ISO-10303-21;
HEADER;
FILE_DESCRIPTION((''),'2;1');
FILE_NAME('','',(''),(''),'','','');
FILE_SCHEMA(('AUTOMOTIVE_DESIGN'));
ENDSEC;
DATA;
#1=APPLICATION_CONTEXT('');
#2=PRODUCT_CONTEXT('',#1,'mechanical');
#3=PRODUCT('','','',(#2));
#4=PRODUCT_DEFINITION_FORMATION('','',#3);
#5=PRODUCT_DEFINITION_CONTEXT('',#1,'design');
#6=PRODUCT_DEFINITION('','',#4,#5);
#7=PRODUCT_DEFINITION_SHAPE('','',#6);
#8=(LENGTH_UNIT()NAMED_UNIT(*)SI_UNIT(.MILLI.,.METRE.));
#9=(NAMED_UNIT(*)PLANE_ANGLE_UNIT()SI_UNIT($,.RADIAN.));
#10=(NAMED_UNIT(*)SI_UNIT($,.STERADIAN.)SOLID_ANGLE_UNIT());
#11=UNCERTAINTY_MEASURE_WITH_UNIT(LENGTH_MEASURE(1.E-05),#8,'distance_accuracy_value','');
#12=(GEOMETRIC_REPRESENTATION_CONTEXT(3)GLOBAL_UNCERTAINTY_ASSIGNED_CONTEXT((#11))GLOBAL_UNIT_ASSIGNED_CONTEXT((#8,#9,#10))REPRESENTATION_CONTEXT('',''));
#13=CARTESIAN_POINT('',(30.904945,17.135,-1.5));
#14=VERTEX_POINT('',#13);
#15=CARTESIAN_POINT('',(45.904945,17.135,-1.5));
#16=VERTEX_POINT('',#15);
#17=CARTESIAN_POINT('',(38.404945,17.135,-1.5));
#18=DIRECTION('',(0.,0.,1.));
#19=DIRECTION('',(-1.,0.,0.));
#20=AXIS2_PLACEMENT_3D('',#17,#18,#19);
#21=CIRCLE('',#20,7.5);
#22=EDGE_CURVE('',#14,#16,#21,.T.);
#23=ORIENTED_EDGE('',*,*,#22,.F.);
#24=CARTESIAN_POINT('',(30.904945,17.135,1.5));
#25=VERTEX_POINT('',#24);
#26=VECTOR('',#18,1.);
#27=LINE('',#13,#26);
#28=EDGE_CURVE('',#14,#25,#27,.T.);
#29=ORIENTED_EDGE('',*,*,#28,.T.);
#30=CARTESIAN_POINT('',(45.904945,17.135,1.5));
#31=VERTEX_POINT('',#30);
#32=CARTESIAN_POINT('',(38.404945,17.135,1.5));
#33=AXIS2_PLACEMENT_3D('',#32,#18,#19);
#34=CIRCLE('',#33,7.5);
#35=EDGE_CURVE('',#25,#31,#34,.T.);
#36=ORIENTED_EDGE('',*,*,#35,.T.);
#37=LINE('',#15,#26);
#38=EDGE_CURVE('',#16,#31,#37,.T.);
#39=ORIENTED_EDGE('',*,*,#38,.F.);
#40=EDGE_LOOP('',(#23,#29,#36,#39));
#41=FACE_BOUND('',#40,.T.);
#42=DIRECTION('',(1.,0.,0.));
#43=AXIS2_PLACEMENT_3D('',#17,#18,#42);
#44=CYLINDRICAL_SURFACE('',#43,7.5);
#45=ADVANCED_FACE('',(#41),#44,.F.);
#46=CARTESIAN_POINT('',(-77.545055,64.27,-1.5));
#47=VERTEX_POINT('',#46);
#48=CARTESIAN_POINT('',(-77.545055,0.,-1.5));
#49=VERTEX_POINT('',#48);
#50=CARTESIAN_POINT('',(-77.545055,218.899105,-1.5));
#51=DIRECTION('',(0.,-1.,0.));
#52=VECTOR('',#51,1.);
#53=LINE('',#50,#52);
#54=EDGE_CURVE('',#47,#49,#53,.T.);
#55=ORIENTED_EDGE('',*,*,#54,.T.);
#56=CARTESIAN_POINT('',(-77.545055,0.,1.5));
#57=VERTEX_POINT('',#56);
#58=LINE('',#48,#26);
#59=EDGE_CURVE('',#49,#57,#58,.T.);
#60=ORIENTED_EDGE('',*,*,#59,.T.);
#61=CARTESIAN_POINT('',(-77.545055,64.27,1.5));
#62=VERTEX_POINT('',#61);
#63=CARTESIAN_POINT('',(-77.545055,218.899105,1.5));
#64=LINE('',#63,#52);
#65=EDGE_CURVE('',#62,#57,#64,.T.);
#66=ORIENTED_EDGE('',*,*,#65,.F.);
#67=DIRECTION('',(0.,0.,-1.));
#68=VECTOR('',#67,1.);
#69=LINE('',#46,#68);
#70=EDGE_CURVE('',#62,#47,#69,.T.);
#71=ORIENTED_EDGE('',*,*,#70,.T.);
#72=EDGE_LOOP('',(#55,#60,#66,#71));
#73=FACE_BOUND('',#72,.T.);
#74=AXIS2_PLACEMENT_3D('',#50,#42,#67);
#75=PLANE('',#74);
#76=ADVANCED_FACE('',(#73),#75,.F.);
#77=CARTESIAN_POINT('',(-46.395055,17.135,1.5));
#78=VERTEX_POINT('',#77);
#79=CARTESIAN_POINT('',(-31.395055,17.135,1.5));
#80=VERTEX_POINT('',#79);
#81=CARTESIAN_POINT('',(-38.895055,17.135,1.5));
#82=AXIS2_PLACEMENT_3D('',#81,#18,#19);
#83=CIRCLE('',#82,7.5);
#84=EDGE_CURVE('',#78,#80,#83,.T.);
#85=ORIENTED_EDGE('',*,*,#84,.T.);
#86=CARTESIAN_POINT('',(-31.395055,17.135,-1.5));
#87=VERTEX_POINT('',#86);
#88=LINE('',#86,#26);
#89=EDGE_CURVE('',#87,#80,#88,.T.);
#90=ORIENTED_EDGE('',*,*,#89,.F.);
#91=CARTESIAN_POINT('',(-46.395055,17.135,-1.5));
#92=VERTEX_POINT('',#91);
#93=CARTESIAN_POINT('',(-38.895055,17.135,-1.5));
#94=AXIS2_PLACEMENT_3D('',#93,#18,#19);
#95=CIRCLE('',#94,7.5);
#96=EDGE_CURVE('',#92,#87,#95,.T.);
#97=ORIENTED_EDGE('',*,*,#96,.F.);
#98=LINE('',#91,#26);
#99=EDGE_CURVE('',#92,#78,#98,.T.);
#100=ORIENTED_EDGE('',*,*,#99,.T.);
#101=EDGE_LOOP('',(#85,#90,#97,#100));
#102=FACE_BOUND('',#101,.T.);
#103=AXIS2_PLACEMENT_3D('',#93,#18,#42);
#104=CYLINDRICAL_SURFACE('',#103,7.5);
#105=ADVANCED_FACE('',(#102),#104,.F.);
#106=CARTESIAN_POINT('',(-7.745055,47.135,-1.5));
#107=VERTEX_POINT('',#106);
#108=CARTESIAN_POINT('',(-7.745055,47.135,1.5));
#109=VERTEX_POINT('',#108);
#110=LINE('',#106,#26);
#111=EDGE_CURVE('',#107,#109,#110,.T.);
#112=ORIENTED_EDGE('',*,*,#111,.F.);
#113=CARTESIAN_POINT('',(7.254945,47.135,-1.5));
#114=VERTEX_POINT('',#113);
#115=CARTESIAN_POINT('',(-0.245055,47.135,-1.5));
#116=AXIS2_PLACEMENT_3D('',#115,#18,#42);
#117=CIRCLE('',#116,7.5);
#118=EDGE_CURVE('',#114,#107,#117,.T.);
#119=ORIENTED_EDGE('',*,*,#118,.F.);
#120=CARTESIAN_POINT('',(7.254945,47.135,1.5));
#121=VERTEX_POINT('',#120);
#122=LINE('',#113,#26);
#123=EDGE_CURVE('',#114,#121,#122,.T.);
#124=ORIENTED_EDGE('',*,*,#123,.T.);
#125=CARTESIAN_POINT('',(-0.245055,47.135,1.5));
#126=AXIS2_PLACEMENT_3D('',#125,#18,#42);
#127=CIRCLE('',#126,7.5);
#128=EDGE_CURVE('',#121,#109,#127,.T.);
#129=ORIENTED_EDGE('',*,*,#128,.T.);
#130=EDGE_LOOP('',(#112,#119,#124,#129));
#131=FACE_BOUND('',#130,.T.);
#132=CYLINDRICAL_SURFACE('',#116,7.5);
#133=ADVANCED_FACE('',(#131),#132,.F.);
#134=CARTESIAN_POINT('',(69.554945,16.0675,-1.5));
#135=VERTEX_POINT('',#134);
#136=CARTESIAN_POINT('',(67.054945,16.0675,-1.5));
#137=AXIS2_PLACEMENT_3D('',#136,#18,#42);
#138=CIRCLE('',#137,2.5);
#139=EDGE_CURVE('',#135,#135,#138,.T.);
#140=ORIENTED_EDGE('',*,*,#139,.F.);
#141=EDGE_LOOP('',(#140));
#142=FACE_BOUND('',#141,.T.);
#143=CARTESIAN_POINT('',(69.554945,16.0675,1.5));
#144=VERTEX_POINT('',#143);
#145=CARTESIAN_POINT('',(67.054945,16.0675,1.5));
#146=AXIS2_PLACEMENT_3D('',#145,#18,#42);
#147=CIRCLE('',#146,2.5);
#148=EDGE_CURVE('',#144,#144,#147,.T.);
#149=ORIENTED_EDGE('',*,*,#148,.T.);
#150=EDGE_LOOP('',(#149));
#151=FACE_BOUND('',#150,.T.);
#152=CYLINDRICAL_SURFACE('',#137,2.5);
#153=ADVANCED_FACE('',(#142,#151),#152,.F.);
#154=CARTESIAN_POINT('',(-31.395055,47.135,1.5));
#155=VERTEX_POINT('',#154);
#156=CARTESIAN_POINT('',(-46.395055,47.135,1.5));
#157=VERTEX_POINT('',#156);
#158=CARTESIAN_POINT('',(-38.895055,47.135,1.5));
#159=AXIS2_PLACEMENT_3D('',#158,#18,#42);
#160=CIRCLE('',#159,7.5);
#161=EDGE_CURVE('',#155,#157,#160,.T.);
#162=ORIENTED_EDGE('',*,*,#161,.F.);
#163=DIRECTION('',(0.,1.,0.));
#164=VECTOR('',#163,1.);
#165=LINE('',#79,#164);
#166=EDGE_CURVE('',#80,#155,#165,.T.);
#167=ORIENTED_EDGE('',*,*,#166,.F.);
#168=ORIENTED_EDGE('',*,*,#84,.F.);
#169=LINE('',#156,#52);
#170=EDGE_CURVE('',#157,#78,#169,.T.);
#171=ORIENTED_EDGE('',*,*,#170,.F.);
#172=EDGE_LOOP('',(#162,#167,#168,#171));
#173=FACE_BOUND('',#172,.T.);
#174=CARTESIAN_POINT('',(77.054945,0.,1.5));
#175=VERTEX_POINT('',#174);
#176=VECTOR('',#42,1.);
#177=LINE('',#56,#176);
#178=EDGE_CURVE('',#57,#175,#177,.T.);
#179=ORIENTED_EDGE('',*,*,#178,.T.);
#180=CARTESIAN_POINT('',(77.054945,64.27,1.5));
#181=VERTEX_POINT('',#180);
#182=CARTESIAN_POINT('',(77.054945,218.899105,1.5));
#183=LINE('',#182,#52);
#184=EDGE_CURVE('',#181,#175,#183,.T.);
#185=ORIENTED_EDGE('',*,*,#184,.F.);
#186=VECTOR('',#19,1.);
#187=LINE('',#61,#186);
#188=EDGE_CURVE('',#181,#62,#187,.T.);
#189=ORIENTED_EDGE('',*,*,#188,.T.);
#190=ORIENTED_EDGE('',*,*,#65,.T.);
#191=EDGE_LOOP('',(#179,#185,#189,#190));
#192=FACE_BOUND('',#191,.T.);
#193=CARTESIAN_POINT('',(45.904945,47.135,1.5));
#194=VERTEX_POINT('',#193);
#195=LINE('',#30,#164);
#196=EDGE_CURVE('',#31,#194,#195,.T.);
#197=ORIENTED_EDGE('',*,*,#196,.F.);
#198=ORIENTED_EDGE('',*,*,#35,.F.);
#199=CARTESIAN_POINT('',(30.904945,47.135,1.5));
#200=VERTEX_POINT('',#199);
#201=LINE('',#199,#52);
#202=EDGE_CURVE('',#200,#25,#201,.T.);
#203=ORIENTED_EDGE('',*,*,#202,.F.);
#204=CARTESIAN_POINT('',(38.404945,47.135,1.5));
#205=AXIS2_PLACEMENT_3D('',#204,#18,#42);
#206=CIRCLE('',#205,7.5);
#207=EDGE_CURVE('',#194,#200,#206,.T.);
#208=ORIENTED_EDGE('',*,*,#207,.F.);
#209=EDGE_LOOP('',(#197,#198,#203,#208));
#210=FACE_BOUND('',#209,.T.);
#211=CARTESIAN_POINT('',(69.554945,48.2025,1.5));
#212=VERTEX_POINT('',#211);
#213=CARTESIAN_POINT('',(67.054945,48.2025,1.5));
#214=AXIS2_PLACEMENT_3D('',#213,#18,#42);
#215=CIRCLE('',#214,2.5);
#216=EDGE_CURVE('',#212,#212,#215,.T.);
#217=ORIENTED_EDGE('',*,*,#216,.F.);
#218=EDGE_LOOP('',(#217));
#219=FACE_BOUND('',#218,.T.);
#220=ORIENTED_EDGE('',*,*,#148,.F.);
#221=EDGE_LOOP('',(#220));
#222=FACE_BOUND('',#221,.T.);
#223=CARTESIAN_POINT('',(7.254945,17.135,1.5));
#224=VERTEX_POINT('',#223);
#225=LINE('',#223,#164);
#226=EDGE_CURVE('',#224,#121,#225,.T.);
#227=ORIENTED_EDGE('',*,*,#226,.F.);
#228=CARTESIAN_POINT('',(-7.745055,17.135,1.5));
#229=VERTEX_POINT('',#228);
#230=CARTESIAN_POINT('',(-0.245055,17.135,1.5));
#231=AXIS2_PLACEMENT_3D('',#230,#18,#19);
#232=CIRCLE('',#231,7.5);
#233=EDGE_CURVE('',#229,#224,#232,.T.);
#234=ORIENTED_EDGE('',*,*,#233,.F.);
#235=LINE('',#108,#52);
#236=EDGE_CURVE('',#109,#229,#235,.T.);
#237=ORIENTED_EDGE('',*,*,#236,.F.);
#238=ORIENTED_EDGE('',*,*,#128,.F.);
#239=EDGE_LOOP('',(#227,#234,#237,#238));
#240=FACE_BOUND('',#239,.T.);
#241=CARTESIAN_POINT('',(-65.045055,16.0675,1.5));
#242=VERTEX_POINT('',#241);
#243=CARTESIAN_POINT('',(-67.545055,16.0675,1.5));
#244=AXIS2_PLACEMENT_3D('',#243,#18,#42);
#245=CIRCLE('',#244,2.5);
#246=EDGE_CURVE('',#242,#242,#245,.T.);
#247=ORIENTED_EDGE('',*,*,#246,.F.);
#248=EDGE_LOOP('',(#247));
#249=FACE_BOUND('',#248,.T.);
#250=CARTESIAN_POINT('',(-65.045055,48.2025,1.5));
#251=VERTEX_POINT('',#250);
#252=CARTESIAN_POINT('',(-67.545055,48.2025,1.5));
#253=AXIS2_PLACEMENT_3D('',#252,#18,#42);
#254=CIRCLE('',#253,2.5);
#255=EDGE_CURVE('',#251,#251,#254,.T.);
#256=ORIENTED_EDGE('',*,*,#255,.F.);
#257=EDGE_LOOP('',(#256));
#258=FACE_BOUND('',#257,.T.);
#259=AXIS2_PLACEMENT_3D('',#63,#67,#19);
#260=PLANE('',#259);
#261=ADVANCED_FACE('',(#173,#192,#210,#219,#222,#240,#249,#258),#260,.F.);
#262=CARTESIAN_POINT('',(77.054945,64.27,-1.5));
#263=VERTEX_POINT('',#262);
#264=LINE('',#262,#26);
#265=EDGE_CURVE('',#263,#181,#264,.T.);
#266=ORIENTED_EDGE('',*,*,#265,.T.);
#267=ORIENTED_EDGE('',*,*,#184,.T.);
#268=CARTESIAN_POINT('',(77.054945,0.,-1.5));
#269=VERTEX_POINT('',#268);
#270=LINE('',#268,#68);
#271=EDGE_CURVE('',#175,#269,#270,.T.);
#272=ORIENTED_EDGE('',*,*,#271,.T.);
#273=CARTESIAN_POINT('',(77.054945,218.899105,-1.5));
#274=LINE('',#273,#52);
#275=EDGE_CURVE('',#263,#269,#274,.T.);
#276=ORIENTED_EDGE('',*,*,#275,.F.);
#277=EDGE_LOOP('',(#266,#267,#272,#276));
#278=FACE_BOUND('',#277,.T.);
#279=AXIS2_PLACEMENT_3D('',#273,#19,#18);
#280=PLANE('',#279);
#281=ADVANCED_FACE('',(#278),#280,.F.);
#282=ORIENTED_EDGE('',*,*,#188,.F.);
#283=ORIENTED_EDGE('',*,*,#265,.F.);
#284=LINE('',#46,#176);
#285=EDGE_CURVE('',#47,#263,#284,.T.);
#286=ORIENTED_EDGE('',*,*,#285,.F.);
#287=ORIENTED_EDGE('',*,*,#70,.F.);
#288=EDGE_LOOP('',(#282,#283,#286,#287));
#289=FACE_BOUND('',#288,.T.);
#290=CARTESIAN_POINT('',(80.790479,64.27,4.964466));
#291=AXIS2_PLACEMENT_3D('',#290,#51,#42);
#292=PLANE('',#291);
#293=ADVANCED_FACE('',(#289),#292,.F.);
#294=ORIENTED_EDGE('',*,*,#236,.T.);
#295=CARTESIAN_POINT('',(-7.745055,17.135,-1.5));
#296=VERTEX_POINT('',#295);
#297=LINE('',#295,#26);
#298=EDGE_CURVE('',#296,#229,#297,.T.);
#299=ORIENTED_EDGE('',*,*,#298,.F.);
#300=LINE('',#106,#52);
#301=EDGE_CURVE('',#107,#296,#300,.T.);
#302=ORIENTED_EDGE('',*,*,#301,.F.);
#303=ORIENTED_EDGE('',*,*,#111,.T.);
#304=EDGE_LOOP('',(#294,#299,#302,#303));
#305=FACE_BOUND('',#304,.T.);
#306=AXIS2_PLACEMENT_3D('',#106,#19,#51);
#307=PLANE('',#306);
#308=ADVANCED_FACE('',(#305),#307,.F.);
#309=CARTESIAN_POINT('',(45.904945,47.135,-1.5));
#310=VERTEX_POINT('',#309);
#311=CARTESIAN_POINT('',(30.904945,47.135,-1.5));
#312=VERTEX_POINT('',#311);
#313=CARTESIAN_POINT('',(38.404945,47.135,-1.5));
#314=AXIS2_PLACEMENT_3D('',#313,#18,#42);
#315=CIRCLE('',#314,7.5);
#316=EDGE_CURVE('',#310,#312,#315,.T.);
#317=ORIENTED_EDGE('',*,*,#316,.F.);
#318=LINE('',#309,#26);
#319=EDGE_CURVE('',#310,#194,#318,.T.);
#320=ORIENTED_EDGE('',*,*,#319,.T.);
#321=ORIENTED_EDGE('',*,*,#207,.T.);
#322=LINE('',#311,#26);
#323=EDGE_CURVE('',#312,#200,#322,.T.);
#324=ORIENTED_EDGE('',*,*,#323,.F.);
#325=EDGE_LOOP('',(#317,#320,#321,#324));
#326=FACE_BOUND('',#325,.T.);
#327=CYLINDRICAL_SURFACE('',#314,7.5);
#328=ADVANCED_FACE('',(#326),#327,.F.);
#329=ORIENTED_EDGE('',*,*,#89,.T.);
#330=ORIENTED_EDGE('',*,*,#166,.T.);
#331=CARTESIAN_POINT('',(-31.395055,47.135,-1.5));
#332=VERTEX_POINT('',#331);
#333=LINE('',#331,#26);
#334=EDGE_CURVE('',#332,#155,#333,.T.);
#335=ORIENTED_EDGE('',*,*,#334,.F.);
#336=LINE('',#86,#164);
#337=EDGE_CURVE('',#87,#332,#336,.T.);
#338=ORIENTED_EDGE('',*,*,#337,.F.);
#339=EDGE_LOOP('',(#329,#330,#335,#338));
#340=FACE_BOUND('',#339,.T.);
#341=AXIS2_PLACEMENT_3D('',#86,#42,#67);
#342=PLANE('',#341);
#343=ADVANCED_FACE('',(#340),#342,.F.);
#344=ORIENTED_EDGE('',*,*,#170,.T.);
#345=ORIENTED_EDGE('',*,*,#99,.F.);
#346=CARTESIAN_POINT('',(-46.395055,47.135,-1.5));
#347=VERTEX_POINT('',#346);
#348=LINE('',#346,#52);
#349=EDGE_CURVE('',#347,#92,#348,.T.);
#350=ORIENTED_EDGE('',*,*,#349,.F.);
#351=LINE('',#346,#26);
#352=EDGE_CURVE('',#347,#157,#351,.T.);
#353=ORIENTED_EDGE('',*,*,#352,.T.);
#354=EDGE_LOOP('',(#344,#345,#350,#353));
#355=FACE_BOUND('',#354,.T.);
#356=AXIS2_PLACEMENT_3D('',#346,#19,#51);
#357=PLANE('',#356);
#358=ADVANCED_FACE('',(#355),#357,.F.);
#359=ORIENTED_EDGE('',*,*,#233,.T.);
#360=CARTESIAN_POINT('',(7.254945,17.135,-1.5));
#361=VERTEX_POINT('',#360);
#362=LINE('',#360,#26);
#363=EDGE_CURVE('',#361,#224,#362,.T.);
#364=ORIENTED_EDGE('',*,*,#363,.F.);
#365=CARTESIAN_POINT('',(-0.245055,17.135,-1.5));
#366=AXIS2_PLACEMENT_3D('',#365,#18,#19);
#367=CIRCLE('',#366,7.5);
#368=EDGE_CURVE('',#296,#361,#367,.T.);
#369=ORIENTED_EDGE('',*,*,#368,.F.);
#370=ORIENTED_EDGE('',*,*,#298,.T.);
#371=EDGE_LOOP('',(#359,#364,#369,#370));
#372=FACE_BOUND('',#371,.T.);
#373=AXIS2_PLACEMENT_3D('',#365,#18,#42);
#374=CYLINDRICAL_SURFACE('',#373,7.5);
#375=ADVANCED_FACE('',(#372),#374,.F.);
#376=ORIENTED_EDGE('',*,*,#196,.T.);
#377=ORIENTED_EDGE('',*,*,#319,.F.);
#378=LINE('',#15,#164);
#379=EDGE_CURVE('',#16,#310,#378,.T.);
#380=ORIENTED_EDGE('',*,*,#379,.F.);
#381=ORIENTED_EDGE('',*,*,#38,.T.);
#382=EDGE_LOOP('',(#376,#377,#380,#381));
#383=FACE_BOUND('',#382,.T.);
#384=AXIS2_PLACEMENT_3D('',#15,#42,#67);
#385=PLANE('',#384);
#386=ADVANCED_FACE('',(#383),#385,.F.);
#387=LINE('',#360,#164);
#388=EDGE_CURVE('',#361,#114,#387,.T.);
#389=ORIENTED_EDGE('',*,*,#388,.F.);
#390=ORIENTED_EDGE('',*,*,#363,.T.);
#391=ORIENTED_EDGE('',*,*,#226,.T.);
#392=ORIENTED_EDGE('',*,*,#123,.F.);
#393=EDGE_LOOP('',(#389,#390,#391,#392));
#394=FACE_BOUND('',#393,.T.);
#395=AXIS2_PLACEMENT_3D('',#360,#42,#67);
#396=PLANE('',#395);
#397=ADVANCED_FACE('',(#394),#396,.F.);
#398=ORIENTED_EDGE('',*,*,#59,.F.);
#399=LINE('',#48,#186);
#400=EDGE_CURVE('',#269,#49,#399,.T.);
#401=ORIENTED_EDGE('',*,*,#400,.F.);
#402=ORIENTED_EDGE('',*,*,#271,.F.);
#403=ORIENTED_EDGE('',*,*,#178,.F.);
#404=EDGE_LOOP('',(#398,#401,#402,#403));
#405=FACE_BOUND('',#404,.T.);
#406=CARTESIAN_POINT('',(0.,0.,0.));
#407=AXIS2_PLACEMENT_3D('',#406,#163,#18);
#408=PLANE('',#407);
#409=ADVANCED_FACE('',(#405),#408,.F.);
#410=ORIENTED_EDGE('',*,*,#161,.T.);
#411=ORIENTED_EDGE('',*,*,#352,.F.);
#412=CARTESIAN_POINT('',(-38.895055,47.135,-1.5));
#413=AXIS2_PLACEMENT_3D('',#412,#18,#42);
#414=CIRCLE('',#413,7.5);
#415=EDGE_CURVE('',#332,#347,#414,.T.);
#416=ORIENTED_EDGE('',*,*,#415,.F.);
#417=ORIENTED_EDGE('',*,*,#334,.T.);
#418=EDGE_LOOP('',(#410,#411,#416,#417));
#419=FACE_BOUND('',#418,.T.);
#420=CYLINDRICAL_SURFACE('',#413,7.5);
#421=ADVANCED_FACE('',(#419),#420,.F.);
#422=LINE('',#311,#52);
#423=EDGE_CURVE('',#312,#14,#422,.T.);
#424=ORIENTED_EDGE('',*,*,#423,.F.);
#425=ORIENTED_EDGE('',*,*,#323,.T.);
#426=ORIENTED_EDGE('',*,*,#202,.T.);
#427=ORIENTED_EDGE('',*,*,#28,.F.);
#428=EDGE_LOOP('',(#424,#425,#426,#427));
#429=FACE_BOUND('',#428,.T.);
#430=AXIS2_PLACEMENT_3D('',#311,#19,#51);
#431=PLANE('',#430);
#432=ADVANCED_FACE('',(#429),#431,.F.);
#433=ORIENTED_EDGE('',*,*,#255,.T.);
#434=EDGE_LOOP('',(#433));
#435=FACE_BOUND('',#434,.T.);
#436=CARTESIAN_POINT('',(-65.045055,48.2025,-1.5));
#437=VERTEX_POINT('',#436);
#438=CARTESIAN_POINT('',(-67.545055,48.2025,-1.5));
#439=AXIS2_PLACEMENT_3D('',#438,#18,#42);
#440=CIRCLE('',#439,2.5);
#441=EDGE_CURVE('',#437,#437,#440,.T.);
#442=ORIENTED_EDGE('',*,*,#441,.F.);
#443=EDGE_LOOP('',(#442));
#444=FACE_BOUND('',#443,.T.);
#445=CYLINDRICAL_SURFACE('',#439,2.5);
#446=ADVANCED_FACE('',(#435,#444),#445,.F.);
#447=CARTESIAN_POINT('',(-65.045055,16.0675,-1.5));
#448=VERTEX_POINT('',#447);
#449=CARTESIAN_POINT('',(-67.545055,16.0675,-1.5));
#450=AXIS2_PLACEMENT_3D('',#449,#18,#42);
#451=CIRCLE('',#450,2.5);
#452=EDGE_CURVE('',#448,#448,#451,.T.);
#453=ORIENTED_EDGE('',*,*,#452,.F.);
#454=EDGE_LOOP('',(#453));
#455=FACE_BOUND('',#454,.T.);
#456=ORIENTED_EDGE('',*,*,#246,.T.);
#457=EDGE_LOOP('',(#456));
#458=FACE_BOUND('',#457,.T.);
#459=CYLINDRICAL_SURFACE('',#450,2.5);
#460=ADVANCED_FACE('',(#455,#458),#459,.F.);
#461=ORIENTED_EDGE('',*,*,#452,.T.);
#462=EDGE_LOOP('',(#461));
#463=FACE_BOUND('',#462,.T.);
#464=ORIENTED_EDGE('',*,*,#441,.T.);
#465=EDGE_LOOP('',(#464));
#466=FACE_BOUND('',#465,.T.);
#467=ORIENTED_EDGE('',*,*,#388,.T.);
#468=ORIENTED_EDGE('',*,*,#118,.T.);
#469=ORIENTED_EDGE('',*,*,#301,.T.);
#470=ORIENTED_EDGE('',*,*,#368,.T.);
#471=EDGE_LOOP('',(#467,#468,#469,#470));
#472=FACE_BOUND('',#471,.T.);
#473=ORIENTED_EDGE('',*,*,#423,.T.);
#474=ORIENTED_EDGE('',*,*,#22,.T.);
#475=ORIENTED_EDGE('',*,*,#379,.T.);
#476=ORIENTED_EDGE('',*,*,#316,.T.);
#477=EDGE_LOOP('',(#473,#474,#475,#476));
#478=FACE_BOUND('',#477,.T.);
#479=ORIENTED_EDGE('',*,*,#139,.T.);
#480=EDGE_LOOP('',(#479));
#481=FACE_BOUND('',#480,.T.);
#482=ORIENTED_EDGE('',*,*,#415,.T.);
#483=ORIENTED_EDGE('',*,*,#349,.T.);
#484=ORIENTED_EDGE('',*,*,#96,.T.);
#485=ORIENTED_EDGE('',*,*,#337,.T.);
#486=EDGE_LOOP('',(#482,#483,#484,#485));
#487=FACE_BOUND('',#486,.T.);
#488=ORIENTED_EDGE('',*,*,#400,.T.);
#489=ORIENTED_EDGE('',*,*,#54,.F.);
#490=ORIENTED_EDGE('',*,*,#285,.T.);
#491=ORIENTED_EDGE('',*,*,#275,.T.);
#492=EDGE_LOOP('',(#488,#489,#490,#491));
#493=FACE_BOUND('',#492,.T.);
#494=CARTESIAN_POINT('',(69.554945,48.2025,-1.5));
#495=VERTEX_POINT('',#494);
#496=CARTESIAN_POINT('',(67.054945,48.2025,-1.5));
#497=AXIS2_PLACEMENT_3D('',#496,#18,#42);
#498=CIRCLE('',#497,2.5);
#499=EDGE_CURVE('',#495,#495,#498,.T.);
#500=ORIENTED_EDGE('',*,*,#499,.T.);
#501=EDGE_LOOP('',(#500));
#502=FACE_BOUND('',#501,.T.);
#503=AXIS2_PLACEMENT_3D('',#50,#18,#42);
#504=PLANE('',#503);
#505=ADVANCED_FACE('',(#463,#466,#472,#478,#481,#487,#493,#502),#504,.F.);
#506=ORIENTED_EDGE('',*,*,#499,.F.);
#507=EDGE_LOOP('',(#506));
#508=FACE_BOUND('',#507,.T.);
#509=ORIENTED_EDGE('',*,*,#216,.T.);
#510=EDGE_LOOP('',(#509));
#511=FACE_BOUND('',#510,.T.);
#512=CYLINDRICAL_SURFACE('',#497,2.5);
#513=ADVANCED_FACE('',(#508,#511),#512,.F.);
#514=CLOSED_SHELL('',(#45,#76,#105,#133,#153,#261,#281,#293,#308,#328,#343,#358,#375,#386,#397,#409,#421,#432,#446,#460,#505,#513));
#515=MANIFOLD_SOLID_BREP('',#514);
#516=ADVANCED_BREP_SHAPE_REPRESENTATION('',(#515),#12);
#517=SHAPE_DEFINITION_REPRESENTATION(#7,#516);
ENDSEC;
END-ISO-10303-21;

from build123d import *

# Parameters (mm, degrees)
ESQUISSE2_W             = 154.6
ESQUISSE2_H             = 3
BOSS_EXTRU_1_DEPTH      = 64.27
ESQUISSE3_R             = 2.5
ENL_V_MAT_EXTRU_1_DEPTH = 101.761443216
ENL_V_MAT_EXTRU_2_DEPTH = 101.761443216


with BuildPart() as part:
    # Esquisse2 → Boss.-Extru.1 (new body)
    with BuildSketch(Plane(origin=(0, 0, 0), x_dir=(1, 0, 0), z_dir=(0, 1, 0))):
        with Locations((-0.245054897, 0)):
            Rectangle(ESQUISSE2_W, ESQUISSE2_H)
    extrude(amount=BOSS_EXTRU_1_DEPTH)

    # Esquisse3 → Enlèv. mat.-Extru.1 (cut, through all)
    with BuildSketch(Plane.XY.offset(1.5)):
        with Locations((-67.545054897, 16.0675)):
            Circle(ESQUISSE3_R)
        with Locations((-67.545054897, 48.2025)):
            Circle(ESQUISSE3_R)
        with Locations((67.054945103, 48.2025)):
            Circle(ESQUISSE3_R)
        with Locations((67.054945103, 16.0675)):
            Circle(ESQUISSE3_R)
    extrude(amount=-ENL_V_MAT_EXTRU_1_DEPTH, mode=Mode.SUBTRACT)

    # Esquisse4 → Enlèv. mat.-Extru.2 (cut, through all)
    with BuildSketch(Plane.XY.offset(1.5)):
        with BuildLine():
            Line((-46.395054897, 47.135), (-46.395054897, 17.135))
            ThreePointArc((-46.395054897, 17.135), (-38.895054897, 9.635), (-31.395054897, 17.135))
            Line((-31.395054897, 17.135), (-31.395054897, 47.135))
            ThreePointArc((-31.395054897, 47.135), (-38.895054897, 54.635), (-46.395054897, 47.135))
        make_face()
        with BuildLine():
            Line((-7.745054897, 47.135), (-7.745054897, 17.135))
            ThreePointArc((-7.745054897, 17.135), (-0.245054897, 9.635), (7.254945103, 17.135))
            Line((7.254945103, 17.135), (7.254945103, 47.135))
            ThreePointArc((7.254945103, 47.135), (-0.245054897, 54.635), (-7.745054897, 47.135))
        make_face()
        with BuildLine():
            Line((30.904945103, 47.135), (30.904945103, 17.135))
            ThreePointArc((30.904945103, 17.135), (38.404945103, 9.635), (45.904945103, 17.135))
            Line((45.904945103, 17.135), (45.904945103, 47.135))
            ThreePointArc((45.904945103, 47.135), (38.404945103, 54.635), (30.904945103, 47.135))
        make_face()
    extrude(amount=-ENL_V_MAT_EXTRU_2_DEPTH, mode=Mode.SUBTRACT)


solid = part.part
